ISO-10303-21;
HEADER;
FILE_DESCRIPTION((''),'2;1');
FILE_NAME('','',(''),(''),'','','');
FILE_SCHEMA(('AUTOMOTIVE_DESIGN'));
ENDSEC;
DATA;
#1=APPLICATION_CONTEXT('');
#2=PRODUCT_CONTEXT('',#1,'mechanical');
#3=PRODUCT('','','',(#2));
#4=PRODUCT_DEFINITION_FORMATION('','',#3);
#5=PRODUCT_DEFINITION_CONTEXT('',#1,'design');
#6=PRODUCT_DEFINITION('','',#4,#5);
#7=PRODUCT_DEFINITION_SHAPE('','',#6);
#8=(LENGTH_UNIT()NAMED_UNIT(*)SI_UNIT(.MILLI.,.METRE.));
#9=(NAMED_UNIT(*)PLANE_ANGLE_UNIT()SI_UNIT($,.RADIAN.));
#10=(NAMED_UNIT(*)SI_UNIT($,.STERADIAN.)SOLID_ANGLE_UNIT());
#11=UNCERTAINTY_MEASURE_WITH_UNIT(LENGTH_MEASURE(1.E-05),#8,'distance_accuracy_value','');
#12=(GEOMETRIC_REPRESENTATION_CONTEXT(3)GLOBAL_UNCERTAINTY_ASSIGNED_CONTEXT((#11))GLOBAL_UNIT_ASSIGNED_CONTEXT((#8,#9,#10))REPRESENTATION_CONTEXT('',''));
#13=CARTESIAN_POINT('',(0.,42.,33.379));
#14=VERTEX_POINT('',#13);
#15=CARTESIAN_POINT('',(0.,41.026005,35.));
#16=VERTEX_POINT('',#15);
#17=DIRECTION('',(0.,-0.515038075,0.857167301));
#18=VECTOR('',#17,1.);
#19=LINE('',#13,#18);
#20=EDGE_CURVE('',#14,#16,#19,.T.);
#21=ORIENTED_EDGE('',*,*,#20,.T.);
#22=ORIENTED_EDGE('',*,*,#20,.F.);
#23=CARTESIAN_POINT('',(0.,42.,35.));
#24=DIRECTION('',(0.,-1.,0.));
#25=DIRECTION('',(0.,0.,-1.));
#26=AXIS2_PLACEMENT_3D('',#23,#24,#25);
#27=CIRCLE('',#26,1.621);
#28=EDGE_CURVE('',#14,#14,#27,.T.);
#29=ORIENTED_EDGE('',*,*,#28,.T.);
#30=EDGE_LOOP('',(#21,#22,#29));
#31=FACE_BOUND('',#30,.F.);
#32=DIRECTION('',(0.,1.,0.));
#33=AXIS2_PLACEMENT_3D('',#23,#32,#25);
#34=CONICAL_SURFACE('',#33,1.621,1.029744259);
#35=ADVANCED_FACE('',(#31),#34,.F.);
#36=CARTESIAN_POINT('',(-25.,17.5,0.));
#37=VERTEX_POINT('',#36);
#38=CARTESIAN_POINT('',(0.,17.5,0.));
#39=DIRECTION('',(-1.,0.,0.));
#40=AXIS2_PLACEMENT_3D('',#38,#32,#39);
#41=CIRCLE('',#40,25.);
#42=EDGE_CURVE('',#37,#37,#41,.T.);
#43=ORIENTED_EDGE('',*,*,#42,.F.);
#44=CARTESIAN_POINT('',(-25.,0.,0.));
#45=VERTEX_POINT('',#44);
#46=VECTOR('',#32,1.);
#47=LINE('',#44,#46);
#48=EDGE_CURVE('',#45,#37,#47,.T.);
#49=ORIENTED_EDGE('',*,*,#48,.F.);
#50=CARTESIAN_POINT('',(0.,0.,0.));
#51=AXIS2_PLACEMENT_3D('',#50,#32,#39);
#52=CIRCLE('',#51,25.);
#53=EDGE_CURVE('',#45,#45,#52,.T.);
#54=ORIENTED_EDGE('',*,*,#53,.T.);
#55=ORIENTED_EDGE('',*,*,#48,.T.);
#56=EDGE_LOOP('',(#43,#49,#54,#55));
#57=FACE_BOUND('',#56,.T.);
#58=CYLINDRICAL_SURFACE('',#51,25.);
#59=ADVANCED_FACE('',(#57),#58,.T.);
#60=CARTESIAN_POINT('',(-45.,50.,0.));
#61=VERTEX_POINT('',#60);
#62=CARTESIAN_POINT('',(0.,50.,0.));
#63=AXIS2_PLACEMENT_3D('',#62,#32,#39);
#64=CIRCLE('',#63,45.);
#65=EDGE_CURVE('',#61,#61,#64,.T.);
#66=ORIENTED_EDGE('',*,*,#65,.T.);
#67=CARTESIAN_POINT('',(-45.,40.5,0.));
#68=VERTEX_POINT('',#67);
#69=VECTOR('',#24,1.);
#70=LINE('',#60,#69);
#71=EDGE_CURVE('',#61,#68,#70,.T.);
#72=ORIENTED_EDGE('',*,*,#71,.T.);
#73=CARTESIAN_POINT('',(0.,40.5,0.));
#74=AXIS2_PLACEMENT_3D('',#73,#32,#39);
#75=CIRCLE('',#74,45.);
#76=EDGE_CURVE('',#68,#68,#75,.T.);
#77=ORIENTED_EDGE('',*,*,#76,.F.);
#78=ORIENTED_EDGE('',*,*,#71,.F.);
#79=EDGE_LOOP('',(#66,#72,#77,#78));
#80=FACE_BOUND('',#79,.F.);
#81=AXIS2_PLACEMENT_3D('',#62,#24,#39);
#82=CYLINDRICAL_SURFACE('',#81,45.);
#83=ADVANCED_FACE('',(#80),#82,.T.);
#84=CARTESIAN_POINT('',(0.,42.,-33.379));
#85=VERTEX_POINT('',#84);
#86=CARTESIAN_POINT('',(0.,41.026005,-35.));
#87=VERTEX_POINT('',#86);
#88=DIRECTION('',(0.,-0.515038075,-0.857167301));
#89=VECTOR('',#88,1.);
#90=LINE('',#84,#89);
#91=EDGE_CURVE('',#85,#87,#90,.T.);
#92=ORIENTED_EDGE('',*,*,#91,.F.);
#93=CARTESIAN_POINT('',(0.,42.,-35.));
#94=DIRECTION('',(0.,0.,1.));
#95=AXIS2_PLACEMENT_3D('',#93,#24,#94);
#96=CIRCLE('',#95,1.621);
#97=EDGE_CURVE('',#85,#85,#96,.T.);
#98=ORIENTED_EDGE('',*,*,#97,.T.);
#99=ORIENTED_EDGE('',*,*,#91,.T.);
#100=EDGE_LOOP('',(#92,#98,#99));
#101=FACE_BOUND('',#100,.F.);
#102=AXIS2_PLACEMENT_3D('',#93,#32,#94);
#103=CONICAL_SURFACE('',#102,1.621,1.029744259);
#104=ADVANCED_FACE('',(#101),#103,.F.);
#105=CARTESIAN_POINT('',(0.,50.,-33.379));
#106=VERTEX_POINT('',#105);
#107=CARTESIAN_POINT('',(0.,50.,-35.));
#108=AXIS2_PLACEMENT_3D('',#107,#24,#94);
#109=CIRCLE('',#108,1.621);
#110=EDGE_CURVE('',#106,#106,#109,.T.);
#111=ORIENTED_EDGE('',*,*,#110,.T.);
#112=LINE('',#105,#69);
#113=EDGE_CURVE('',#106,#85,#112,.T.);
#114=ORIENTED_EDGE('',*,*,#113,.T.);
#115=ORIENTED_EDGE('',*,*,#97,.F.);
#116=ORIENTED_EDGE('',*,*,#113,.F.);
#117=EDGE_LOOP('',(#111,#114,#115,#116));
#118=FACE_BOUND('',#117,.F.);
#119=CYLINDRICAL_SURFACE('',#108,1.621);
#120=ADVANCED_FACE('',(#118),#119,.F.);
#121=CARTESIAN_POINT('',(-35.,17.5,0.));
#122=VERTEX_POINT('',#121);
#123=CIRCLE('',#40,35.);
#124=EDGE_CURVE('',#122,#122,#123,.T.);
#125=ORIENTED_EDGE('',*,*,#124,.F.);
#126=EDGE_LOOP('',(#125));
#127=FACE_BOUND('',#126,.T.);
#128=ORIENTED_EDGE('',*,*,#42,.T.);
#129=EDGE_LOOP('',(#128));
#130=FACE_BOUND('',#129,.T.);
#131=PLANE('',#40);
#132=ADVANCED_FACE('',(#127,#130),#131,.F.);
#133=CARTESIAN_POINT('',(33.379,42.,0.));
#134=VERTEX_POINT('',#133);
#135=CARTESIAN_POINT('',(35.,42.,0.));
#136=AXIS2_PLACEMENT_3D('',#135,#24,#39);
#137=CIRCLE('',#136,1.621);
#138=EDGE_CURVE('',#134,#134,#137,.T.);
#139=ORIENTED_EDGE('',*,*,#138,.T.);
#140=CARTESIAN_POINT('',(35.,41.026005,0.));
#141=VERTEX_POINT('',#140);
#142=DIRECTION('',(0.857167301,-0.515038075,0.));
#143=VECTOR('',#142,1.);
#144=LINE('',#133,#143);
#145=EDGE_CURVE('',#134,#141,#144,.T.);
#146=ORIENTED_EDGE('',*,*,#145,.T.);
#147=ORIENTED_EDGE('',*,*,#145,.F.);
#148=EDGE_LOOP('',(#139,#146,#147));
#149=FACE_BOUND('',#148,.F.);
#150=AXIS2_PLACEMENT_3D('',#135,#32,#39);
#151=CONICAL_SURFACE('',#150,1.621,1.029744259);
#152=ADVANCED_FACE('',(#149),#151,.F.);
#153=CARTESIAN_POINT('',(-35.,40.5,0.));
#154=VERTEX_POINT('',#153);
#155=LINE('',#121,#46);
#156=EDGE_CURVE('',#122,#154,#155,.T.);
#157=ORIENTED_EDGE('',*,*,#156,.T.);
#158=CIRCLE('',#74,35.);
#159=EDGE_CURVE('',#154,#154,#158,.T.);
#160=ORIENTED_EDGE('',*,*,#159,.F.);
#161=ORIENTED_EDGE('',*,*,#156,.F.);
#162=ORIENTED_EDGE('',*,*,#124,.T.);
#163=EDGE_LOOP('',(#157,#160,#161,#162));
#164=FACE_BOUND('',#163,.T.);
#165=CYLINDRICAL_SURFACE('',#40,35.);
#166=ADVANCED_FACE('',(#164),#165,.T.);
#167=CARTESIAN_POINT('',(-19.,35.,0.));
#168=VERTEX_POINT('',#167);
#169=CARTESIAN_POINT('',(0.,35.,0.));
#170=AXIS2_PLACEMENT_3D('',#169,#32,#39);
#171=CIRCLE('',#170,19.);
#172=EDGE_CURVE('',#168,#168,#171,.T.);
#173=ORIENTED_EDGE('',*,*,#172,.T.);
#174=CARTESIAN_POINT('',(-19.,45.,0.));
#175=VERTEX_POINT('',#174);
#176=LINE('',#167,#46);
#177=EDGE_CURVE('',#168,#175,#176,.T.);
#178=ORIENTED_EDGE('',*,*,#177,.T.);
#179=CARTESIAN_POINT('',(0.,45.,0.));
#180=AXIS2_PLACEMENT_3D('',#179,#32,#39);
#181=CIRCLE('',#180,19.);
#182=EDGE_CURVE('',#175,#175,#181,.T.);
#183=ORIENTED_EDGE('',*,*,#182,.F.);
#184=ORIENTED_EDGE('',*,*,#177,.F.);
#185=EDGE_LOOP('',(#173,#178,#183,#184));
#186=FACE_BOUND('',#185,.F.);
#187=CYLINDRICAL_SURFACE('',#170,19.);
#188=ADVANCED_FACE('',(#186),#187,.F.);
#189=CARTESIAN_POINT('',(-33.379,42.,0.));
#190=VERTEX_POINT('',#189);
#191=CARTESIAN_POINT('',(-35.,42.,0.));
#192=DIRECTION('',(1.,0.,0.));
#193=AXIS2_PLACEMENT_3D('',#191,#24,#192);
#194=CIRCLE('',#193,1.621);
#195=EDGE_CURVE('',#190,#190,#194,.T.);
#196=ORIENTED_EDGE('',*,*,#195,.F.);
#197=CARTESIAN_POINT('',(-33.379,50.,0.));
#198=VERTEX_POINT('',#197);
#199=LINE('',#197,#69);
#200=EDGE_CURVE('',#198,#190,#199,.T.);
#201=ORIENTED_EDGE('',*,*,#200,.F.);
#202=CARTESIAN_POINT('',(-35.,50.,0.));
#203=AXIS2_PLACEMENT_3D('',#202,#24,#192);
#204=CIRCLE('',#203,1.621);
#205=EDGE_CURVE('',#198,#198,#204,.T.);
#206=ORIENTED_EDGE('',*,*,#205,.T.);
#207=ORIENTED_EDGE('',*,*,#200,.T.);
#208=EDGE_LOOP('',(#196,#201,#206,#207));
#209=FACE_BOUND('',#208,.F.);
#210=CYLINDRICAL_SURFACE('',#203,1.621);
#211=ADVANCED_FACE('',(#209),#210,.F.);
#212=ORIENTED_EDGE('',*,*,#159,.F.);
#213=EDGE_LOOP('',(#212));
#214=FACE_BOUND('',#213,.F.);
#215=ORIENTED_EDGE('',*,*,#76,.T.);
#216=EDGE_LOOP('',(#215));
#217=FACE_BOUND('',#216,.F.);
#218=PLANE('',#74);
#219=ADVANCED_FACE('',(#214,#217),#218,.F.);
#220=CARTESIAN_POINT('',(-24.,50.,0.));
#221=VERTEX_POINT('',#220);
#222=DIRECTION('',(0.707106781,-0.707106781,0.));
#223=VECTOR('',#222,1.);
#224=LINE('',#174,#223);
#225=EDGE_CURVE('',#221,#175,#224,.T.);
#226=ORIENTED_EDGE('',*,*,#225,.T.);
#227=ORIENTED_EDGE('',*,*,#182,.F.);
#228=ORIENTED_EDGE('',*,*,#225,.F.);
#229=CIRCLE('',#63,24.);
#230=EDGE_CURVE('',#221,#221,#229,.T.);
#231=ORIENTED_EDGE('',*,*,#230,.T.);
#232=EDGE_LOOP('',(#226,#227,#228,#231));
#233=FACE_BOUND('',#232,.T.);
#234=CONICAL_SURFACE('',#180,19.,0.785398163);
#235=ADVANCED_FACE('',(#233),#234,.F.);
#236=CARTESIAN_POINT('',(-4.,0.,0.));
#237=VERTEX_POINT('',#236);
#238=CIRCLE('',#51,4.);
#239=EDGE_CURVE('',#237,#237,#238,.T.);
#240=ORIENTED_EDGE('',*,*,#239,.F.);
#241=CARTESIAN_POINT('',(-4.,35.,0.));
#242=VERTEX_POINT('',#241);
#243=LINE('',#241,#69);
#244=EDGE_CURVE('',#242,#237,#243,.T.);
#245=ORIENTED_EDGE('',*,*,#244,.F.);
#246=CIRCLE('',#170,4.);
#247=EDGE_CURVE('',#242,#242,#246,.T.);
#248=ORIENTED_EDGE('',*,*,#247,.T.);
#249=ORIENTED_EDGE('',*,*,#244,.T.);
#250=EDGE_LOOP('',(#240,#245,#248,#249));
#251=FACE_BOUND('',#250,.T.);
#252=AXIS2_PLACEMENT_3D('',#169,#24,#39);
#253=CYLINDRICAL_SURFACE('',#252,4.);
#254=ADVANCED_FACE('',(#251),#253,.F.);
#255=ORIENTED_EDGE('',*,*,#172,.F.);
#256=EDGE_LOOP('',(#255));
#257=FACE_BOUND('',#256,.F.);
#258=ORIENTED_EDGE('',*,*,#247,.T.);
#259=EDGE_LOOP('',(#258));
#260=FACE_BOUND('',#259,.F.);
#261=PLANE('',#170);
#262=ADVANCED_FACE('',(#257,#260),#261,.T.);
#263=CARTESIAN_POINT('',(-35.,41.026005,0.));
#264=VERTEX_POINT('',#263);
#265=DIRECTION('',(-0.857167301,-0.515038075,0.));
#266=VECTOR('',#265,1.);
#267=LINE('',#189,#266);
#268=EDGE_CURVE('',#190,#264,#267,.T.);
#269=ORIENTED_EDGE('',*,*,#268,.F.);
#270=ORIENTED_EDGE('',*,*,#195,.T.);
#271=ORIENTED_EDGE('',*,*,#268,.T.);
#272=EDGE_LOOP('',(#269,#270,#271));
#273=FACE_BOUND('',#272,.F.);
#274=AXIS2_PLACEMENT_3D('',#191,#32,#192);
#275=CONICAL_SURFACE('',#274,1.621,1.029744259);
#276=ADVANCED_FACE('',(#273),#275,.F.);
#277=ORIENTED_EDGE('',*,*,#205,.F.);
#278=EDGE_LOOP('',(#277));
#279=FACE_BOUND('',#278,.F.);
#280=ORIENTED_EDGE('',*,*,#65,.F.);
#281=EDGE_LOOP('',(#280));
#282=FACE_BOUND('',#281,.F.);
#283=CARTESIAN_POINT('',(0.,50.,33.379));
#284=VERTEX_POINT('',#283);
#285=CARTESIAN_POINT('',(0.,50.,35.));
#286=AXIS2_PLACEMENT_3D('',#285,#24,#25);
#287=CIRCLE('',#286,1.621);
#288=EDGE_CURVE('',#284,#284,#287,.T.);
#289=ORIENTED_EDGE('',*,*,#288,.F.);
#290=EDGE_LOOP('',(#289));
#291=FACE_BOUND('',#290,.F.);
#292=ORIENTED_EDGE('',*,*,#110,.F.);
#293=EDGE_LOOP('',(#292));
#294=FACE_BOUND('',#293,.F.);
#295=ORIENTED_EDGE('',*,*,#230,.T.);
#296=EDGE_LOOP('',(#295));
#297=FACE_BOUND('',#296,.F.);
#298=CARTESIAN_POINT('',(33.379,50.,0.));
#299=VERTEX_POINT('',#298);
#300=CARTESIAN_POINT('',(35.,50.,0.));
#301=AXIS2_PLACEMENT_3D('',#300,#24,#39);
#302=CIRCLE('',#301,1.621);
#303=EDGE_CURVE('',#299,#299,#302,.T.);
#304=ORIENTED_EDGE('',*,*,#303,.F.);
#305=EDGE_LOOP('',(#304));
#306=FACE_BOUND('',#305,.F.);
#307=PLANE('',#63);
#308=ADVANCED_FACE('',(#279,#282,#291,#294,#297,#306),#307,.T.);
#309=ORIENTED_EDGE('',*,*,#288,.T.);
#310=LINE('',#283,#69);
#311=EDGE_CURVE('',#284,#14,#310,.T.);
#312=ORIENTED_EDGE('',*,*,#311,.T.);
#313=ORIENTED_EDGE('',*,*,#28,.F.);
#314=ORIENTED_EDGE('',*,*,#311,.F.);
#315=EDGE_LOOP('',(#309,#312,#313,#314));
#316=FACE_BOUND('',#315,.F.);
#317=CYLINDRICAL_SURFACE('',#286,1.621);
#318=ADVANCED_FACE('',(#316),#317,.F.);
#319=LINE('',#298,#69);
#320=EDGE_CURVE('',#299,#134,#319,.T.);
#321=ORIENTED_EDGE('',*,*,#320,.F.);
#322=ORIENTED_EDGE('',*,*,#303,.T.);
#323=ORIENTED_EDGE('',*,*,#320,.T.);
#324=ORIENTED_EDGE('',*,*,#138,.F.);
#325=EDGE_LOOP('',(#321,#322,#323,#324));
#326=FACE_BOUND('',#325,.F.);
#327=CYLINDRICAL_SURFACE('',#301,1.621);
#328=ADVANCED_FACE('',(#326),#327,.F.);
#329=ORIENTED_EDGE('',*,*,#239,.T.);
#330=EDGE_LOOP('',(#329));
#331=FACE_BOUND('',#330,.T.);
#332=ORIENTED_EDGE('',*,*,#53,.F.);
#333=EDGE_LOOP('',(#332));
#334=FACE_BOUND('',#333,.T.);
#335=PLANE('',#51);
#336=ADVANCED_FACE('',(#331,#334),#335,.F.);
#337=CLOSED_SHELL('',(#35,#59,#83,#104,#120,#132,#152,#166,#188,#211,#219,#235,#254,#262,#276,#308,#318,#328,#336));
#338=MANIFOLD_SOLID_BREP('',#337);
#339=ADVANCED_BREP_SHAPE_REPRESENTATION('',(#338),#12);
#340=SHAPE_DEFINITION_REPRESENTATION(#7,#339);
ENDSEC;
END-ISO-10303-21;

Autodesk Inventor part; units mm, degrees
ref_plane "YZ Plane" through (0, 0, 0) normal (1, 0, 0) x (0, 1, 0)
ref_plane "XZ Plane" through (0, 0, 0) normal (0, 1, 0) x (-1, 0, 0)
ref_plane "XY Plane" through (0, 0, 0) normal (0, 0, 1) x (1, 0, 0)
sketch "Sketch2" plane through (0, 0, 0) normal (0, 0, 1) x (1, 0, 0)
  line L0 (-4, 0) -> (-25, 0)
  line L1 (-25, 0) -> (-25, 17.5)
  line L2 (-25, 17.5) -> (-35, 17.5)
  line L3 (-4, 35) -> (-4, 0)
  line L4 (0, 0) -> (0, 29) construction
  line L5 (-4, 35) -> (-19, 35)
  line L6 (-19, 35) -> (-19, 50)
  line L7 (-35, 17.5) -> (-35, 40.5)
  line L8 (-19, 50) -> (-45, 50)
  line L9 (-45, 50) -> (-45, 40.5)
  line L10 (-45, 40.5) -> (-35, 40.5)
  dimension "d11" = 8
  dimension "d13" = 50
  dimension "d28" = 17.5
  dimension "d29" = 35
  dimension "d30" = 15
  dimension "d34" = 70
  dimension "d35" = 50
  dimension "d36" = 23
  dimension "d37" = 90
revolve "Revolution1" add sketch "Sketch2" angle 360 about axis through (0, 0, 0) along (0, 1, 0)
chamfer "Chamfer1" distance 5 angle 45 1 edges at (19, 50, 0)
sketch "Sketch3" plane through (0, 50, 0) normal (0, 1, 0) x (1, 0, 0)
  point P0 (0, 0)
  point P1 (0, 35)
  dimension "d38" = 35
hole "Hole1" at (0, 50, -35) direction (0, -1, 0) diameter 3.242 depth 8 tip angle 118 thread size "M4x0.7" class "6H" standard "ISO Metric profile"
pattern_circular "Circular Pattern1" count 4 over 360 about axis through (0, 42.5, 0) along (0, 1, 0) of "Hole1"
properties part number "M17 - Coil Support Part" material "UHMW, Black"
